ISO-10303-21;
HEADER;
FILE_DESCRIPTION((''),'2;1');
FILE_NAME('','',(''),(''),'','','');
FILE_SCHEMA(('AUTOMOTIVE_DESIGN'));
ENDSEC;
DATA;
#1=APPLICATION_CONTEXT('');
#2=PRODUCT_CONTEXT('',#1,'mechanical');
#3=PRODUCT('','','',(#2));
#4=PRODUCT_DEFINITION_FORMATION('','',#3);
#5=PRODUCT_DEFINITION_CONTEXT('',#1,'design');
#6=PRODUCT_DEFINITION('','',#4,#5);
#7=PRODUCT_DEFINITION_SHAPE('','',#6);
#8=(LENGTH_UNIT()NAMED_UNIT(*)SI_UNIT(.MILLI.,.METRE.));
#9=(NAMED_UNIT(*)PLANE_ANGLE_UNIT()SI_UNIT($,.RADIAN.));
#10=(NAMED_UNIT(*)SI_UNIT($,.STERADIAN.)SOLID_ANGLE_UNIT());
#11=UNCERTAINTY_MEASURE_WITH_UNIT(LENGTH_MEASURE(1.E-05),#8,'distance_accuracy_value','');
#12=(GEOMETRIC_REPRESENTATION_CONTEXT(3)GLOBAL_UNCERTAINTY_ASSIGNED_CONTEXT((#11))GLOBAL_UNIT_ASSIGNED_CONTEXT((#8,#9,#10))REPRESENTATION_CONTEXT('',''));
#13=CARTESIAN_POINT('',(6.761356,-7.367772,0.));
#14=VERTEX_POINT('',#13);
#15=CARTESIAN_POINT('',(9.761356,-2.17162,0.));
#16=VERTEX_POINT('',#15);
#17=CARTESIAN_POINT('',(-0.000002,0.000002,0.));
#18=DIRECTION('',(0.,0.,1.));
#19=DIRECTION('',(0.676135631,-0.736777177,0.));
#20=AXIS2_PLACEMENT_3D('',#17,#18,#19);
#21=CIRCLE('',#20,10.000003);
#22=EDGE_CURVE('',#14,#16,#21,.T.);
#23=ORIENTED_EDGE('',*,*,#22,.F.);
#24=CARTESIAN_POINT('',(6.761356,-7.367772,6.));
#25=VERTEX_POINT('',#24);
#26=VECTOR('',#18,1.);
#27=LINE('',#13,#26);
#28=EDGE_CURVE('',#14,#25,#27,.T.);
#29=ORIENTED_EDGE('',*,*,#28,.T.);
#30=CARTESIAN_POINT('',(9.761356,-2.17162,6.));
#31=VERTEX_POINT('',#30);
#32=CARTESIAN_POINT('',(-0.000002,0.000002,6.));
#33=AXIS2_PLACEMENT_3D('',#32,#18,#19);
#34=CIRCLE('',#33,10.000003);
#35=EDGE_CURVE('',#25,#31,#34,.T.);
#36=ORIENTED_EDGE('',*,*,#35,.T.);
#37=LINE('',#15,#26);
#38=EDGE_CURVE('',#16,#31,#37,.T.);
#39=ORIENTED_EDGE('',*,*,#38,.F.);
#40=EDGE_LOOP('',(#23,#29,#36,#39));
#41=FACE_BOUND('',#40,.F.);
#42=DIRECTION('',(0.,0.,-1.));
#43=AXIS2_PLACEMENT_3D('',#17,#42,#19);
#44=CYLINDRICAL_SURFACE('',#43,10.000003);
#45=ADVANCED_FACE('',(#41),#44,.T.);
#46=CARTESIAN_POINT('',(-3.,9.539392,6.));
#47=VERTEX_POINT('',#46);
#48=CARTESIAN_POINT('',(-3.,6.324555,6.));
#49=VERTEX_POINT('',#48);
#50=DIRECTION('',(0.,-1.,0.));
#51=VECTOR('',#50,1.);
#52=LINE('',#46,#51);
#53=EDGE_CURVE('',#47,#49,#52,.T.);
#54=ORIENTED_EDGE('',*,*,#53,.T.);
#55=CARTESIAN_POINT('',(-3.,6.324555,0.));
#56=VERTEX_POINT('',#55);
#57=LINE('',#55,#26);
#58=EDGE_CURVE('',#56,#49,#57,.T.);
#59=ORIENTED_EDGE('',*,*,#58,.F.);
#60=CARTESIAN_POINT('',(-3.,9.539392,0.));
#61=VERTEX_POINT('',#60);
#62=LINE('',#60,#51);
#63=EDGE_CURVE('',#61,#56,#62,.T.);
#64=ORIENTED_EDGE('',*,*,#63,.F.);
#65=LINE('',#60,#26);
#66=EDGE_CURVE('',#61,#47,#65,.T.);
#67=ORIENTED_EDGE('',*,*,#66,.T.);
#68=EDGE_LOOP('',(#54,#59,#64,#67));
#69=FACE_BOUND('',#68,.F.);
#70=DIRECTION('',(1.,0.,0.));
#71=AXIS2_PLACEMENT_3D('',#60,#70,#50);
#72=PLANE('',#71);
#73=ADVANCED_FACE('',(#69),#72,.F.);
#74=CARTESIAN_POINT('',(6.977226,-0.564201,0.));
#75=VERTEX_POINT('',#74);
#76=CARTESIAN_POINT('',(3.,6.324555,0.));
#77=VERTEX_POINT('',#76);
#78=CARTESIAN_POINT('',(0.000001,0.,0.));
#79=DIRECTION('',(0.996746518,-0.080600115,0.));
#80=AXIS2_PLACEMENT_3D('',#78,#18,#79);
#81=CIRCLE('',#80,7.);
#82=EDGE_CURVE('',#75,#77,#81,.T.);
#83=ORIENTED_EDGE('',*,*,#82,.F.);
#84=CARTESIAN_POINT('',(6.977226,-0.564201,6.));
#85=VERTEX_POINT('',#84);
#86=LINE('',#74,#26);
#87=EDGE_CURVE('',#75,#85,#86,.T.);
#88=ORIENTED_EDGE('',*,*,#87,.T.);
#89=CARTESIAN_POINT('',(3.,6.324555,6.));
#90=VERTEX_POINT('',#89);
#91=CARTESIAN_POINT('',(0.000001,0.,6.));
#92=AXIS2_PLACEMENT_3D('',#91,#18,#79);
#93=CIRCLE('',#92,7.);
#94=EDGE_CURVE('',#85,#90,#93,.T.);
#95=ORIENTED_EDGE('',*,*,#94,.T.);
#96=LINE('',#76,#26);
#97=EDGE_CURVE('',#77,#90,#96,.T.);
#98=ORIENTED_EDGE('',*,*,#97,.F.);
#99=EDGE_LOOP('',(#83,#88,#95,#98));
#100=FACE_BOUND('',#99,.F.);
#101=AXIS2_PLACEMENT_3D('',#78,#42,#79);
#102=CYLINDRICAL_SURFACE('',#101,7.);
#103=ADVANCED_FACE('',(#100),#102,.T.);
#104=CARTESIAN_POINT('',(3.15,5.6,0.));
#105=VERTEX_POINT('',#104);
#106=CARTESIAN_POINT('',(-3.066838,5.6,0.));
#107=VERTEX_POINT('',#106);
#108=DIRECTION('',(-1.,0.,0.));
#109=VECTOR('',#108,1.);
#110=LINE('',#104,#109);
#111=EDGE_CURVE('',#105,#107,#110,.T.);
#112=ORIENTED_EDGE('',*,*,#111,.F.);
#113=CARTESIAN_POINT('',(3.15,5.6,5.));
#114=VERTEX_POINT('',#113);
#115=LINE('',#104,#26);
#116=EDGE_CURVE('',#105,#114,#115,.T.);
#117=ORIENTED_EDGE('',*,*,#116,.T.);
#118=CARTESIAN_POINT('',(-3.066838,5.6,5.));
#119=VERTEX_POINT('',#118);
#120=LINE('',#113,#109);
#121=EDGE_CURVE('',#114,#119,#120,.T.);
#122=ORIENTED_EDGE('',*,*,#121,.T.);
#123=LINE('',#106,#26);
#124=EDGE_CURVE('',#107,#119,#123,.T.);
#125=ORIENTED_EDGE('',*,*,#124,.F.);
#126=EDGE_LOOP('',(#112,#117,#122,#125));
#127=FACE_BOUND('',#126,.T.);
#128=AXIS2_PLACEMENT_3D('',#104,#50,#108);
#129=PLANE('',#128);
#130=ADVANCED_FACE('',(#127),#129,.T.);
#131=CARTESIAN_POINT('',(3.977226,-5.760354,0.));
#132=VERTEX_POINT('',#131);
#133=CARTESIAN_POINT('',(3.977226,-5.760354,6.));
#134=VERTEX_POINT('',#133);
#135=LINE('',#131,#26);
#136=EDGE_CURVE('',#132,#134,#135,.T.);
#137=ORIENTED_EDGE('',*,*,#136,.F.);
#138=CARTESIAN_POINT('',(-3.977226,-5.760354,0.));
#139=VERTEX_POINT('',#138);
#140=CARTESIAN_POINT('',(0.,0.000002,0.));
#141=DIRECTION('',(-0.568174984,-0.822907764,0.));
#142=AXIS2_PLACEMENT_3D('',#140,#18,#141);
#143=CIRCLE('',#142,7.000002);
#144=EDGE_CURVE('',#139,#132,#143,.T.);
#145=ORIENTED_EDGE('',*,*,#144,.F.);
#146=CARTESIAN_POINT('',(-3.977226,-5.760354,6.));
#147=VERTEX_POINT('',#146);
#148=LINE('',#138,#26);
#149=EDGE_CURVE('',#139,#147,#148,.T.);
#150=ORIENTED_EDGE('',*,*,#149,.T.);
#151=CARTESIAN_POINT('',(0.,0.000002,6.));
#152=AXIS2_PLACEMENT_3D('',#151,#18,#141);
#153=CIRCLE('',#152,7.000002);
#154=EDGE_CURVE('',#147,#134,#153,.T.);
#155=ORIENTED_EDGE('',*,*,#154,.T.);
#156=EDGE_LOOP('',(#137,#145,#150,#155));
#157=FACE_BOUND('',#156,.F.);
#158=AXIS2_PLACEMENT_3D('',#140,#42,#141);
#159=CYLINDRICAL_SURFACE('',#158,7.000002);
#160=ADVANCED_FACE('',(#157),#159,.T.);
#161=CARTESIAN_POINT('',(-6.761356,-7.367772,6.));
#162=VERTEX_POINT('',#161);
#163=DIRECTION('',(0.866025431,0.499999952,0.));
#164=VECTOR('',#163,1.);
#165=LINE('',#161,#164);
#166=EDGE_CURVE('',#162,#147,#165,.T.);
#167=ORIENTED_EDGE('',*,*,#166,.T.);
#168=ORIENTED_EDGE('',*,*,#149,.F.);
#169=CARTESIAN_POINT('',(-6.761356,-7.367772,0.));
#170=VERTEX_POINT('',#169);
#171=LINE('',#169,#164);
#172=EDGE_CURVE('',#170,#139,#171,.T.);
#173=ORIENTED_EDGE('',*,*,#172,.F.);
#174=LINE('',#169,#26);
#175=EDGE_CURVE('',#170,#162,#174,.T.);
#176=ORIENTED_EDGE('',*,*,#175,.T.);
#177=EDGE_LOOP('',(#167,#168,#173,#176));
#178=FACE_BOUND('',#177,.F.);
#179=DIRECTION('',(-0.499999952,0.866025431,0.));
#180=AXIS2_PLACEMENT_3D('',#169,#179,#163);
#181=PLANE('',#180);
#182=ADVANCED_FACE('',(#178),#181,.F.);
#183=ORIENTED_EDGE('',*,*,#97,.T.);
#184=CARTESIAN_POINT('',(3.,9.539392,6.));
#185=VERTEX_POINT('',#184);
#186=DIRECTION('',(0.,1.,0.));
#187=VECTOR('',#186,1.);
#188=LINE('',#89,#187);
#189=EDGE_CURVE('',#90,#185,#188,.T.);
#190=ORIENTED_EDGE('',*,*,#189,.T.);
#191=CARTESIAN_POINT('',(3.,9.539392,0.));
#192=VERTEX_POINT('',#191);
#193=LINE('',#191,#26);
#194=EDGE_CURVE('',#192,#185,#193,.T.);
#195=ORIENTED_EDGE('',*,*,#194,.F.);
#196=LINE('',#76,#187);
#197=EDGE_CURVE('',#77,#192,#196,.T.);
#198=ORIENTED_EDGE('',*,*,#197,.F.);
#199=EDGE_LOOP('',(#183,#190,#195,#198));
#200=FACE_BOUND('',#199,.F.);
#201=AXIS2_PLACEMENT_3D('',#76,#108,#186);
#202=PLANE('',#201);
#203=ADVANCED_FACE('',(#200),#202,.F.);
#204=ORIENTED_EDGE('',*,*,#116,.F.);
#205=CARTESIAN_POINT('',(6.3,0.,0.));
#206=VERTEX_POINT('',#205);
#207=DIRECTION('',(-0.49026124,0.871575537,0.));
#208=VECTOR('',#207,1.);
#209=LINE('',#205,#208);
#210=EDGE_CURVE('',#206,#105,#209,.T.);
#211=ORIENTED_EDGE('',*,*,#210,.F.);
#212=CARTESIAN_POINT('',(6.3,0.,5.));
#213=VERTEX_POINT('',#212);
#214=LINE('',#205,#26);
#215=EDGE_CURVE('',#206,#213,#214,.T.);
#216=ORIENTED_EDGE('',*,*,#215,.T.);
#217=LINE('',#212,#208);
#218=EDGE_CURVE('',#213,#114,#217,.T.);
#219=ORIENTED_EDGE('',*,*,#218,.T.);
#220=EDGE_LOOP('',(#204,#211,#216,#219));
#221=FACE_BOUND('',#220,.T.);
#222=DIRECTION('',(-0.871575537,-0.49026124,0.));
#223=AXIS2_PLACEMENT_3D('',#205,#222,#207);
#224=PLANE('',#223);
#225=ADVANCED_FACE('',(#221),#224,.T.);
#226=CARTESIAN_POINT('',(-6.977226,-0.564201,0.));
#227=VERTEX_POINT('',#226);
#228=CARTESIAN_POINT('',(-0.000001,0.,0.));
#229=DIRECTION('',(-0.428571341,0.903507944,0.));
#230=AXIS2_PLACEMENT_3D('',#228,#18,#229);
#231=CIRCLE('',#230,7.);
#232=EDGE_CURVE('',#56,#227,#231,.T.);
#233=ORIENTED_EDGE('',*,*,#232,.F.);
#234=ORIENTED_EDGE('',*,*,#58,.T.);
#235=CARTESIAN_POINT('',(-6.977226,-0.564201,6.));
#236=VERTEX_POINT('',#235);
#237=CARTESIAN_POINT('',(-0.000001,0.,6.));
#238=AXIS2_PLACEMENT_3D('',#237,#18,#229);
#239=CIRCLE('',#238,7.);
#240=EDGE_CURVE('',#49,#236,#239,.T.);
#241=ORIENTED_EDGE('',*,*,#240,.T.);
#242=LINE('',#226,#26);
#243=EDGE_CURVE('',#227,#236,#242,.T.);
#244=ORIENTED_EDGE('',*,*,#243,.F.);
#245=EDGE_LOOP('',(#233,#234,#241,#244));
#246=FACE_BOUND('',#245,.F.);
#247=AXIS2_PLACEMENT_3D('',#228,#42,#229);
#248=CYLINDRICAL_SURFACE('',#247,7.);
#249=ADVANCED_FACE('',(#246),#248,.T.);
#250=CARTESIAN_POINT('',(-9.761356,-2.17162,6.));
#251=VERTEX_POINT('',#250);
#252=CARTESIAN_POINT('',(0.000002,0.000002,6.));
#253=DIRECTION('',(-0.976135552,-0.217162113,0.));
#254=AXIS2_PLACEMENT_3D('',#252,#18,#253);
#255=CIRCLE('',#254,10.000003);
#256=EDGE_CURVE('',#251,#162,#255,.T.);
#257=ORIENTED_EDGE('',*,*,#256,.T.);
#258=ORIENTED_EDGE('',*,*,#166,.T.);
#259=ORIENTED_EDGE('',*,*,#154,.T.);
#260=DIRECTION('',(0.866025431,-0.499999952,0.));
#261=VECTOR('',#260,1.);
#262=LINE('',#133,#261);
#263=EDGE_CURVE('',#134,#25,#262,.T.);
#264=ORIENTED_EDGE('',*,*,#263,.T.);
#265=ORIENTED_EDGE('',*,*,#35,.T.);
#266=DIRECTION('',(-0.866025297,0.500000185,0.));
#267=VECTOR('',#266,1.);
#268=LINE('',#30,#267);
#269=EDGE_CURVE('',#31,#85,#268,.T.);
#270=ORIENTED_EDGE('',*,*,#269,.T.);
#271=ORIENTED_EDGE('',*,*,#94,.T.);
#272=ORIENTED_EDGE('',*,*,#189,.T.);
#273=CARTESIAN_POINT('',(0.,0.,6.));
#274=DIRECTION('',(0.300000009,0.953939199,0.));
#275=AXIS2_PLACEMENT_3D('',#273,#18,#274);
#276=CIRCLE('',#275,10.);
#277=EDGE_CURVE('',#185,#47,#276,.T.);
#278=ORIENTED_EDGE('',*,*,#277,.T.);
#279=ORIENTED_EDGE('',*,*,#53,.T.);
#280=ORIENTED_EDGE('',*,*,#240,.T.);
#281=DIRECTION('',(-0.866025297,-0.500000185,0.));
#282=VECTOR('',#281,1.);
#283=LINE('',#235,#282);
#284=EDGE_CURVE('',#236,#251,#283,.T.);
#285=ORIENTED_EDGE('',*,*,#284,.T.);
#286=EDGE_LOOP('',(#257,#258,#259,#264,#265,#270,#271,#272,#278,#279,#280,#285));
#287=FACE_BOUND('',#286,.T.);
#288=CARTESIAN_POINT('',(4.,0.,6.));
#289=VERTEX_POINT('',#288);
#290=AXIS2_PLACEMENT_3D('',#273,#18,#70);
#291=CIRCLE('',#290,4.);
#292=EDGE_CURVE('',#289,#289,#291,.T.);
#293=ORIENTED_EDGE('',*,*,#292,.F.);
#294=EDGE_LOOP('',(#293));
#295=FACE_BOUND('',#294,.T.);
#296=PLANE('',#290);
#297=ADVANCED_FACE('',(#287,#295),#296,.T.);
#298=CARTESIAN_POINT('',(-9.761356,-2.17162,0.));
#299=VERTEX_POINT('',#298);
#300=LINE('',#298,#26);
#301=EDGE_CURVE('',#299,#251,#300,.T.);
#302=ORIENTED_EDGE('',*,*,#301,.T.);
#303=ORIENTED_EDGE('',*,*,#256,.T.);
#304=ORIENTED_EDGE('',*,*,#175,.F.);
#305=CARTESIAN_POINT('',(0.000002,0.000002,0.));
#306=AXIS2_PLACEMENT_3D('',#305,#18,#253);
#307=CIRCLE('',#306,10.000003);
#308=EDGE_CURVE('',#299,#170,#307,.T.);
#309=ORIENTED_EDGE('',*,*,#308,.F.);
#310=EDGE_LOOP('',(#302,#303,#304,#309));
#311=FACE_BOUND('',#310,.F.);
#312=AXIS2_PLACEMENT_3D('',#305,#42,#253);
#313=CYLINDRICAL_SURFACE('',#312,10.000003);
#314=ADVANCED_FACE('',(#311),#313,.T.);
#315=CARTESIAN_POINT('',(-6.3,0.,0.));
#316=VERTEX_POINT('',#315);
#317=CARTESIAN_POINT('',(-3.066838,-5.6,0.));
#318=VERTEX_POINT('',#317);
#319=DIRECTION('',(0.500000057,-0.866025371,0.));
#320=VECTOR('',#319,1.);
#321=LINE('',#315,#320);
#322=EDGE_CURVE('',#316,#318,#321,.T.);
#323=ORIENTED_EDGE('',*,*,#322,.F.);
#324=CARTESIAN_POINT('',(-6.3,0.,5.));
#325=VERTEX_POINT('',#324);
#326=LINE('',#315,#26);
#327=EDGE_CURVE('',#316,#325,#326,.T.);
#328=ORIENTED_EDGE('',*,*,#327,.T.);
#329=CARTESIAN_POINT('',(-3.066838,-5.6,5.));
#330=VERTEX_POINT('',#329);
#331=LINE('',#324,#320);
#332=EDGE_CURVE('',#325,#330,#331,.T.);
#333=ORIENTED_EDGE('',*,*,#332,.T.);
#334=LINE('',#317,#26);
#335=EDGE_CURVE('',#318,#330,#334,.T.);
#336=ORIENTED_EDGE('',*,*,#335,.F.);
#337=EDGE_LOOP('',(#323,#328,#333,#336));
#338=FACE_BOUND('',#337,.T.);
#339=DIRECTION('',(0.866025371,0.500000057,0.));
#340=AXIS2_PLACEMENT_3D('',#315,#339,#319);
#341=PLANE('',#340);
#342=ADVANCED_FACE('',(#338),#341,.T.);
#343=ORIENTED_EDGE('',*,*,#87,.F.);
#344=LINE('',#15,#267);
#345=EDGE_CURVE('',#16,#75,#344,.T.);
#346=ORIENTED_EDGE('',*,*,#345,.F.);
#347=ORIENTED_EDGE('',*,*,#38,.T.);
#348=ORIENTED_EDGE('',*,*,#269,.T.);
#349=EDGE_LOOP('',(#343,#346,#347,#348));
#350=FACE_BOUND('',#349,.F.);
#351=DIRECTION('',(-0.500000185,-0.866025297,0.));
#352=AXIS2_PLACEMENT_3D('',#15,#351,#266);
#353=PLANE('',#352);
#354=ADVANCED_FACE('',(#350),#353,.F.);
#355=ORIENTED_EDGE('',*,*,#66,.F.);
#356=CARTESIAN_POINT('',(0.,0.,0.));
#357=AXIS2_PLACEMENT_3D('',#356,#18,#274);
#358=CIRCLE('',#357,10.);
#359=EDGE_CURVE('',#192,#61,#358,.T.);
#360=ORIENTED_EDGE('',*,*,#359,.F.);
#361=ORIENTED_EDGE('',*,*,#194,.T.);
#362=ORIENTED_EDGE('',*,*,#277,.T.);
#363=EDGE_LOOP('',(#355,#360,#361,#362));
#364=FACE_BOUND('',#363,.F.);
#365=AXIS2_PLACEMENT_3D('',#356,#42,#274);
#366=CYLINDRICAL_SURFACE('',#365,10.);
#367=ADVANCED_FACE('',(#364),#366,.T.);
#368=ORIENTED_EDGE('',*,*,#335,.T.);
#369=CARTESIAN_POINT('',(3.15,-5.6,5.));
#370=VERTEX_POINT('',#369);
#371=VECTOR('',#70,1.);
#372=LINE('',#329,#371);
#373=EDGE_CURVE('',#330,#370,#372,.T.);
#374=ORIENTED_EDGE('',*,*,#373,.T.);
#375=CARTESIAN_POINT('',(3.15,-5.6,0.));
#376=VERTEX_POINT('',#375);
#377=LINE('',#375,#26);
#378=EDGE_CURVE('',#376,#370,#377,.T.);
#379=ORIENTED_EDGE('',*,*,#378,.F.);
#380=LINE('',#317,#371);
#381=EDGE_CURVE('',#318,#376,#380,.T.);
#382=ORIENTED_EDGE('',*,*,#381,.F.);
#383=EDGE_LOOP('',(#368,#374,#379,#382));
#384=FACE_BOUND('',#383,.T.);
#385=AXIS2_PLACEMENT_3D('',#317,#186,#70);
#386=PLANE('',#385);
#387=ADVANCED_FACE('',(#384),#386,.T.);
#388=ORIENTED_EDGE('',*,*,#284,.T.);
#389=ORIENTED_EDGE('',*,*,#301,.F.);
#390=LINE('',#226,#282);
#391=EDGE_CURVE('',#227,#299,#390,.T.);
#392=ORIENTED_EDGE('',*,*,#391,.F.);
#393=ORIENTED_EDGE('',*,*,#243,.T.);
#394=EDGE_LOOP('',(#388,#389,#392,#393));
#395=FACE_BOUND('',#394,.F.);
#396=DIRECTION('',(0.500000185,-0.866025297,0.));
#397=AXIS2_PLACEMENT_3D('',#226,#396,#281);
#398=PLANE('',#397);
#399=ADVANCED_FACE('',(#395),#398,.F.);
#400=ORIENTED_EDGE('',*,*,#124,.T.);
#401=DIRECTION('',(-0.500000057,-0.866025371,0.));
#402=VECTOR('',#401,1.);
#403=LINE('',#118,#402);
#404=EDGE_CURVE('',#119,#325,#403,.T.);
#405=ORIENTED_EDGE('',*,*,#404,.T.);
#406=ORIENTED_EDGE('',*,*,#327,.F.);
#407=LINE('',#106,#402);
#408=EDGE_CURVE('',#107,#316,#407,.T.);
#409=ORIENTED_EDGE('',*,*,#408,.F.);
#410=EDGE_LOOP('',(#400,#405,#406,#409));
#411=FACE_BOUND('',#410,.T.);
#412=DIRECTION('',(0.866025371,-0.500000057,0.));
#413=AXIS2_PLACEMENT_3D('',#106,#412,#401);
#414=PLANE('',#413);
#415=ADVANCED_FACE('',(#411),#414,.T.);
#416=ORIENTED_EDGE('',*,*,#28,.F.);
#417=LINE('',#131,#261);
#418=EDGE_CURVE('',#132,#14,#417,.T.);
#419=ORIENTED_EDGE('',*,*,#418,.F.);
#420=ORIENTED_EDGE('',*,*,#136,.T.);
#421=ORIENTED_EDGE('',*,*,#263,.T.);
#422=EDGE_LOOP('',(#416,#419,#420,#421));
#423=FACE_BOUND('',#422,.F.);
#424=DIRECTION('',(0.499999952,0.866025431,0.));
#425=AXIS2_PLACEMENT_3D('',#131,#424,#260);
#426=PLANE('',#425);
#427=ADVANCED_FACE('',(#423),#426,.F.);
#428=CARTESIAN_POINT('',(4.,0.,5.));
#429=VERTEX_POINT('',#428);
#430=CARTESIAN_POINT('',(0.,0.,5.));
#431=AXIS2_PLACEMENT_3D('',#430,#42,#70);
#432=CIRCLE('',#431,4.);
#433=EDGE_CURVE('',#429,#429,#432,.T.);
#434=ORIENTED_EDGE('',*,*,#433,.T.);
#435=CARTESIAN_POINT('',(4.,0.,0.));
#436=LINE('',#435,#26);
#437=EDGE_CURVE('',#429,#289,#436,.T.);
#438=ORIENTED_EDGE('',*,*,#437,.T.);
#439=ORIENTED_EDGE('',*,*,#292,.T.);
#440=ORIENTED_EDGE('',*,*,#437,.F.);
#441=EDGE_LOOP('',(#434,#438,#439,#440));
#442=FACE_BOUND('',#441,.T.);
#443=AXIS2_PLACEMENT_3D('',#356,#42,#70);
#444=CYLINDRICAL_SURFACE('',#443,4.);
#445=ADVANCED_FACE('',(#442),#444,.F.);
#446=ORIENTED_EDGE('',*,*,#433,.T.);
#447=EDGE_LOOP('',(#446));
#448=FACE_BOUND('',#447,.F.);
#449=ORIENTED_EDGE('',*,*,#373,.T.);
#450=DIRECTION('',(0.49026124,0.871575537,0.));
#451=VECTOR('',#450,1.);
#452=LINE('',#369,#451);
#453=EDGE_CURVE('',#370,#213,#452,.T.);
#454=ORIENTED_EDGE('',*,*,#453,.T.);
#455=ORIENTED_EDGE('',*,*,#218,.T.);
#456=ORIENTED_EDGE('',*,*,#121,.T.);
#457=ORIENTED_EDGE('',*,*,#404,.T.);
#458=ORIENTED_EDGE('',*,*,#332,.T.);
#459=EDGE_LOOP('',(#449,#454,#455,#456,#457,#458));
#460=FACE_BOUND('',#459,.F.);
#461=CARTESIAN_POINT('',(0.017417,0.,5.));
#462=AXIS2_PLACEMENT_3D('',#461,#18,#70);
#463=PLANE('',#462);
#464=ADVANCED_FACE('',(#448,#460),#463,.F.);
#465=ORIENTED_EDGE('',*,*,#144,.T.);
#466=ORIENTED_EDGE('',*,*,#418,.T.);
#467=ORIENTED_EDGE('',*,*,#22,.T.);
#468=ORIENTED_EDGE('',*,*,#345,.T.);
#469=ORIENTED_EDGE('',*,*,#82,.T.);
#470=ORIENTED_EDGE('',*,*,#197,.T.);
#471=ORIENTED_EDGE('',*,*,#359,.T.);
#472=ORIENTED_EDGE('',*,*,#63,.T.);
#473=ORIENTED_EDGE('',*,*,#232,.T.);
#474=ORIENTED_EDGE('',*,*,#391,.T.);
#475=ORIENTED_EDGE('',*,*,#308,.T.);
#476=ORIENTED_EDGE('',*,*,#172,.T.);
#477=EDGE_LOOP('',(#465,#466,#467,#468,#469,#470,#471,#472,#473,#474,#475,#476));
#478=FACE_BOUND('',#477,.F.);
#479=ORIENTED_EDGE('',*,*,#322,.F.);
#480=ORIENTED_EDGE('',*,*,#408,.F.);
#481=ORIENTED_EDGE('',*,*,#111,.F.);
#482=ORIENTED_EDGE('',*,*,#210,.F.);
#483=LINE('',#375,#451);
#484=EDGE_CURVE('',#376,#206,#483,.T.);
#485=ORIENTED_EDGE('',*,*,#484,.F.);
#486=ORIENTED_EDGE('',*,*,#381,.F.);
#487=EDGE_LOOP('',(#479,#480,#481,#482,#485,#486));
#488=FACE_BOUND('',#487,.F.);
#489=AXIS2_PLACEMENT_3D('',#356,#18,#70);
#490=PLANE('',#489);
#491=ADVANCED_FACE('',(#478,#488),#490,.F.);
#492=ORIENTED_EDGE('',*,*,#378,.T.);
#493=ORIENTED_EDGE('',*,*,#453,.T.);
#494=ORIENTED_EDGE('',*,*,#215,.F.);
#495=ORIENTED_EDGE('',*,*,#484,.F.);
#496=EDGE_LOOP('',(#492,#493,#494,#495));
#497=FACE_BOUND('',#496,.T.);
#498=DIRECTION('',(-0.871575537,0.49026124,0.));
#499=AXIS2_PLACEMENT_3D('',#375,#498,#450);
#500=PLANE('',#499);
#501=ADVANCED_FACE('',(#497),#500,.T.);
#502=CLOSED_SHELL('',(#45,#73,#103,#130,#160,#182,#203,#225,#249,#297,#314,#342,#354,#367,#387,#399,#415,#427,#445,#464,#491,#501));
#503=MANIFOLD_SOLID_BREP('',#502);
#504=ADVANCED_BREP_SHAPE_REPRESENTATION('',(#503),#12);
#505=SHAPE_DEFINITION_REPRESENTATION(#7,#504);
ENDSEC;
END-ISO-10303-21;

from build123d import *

# Parameters (mm, degrees)
F0_R     = 4
F1_DEPTH = 6
F3_DEPTH = 5


with BuildPart() as f1:
    # F0 (on Top) → F1 (new body)
    with BuildSketch(Plane.XY):
        with BuildLine():
            Line((-6.977226, -0.564201), (-9.761356, -2.17162))
            ThreePointArc((-9.761356, -2.17162), (-8.660254, -5), (-6.761356, -7.367772))
            Line((-6.761356, -7.367772), (-3.977226, -5.760354))
            ThreePointArc((-3.977226, -5.760354), (0, -7), (3.977226, -5.760354))
            Line((3.977226, -5.760354), (6.761356, -7.367772))
            ThreePointArc((6.761356, -7.367772), (8.660254, -5), (9.761356, -2.17162))
            Line((9.761356, -2.17162), (6.977226, -0.564201))
            ThreePointArc((6.977226, -0.564201), (6.062178, 3.5), (3, 6.324555))
            Line((3, 6.324555), (3, 9.539392))
            ThreePointArc((3, 9.539392), (0, 10), (-3, 9.539392))
            Line((-3, 9.539392), (-3, 6.324555))
            ThreePointArc((-3, 6.324555), (-6.062178, 3.5), (-6.977226, -0.564201))
        make_face()
        Circle(F0_R, mode=Mode.SUBTRACT)
    extrude(amount=F1_DEPTH)

    # F2 (on Top) → F3 (cut)
    with BuildSketch(Plane.XY):
        Polygon((3.15, 5.6), (0, 5.6), (-3.066838, 5.6), (-6.3, 0), (-3.066838, -5.6), (0, -5.6), (3.15, -5.6), (6.3, 0), align=None)
    extrude(amount=F3_DEPTH, mode=Mode.SUBTRACT)


solid = f1.part
